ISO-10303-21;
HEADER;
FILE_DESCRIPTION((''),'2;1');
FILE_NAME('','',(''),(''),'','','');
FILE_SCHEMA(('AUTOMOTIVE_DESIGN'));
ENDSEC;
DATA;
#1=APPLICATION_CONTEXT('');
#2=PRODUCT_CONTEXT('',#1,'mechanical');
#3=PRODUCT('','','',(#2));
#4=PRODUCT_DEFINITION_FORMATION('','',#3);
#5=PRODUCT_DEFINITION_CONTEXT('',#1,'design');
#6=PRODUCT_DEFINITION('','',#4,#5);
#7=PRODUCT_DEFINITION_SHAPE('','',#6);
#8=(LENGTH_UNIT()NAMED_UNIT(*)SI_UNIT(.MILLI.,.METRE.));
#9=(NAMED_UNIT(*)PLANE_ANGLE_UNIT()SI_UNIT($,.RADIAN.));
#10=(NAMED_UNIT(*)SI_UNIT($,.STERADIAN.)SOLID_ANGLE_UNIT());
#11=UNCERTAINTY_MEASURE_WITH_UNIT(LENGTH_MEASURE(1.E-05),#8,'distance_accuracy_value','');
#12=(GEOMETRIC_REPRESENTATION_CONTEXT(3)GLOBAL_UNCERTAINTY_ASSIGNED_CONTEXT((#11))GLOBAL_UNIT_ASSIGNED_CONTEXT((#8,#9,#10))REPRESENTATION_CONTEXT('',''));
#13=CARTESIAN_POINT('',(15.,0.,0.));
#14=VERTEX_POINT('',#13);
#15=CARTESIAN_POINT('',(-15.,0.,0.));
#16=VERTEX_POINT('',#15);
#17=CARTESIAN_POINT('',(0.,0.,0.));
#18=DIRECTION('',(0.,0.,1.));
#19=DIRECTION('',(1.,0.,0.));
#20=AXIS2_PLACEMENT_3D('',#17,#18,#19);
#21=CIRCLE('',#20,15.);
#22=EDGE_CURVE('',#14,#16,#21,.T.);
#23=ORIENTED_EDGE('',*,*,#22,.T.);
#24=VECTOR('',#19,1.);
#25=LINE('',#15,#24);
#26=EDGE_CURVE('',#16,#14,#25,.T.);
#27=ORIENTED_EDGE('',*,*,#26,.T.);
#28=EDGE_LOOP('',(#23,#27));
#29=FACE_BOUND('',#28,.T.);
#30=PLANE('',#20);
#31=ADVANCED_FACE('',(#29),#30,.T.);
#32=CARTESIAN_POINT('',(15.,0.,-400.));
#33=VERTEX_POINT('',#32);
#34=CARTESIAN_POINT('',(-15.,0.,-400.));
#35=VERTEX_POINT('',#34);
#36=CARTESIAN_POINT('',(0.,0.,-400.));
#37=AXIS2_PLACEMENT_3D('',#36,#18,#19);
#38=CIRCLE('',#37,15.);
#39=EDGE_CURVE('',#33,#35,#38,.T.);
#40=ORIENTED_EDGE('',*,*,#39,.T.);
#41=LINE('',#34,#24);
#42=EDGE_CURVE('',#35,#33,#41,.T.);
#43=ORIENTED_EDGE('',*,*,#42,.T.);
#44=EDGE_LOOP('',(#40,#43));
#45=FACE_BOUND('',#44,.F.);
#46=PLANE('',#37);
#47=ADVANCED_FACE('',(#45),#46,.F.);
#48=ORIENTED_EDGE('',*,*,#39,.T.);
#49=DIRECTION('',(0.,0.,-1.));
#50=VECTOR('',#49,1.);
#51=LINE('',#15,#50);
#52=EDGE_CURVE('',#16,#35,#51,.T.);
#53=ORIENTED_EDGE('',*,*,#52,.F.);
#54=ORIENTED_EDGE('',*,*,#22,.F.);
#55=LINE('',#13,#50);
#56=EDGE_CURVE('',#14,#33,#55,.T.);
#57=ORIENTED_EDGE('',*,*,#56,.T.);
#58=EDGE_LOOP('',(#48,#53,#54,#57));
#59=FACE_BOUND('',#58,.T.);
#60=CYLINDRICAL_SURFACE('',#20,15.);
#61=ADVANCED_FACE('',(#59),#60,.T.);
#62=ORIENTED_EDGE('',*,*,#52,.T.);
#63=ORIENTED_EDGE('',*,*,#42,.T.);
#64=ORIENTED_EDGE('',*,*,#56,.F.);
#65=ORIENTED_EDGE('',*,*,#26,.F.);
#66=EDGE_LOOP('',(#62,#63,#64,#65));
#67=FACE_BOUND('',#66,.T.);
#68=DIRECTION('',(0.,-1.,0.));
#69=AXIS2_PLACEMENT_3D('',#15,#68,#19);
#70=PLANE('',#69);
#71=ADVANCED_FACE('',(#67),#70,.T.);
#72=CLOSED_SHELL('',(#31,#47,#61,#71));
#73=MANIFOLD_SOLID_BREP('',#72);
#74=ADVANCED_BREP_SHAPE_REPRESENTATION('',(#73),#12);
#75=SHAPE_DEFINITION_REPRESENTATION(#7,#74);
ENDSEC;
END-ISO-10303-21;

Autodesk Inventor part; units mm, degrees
ref_plane "YZ Plane" through (0, 0, 0) normal (1, 0, 0) x (0, 1, 0)
ref_plane "XZ Plane" through (0, 0, 0) normal (0, 1, 0) x (-1, 0, 0)
ref_plane "XY Plane" through (0, 0, 0) normal (0, 0, 1) x (1, 0, 0)
sketch "Sketch1" plane through (0, 0, 0) normal (0, 0, 1) x (1, 0, 0)
  arc A0 (15, 0) -> (-15, 0) centre (0, 0) ccw
  line L0 (-15, 0) -> (15, 0)
  dimension "d0" = 30
extrude "Extrusion1" add sketch "Sketch1" against normal blind 400
properties part number "Shaft"
